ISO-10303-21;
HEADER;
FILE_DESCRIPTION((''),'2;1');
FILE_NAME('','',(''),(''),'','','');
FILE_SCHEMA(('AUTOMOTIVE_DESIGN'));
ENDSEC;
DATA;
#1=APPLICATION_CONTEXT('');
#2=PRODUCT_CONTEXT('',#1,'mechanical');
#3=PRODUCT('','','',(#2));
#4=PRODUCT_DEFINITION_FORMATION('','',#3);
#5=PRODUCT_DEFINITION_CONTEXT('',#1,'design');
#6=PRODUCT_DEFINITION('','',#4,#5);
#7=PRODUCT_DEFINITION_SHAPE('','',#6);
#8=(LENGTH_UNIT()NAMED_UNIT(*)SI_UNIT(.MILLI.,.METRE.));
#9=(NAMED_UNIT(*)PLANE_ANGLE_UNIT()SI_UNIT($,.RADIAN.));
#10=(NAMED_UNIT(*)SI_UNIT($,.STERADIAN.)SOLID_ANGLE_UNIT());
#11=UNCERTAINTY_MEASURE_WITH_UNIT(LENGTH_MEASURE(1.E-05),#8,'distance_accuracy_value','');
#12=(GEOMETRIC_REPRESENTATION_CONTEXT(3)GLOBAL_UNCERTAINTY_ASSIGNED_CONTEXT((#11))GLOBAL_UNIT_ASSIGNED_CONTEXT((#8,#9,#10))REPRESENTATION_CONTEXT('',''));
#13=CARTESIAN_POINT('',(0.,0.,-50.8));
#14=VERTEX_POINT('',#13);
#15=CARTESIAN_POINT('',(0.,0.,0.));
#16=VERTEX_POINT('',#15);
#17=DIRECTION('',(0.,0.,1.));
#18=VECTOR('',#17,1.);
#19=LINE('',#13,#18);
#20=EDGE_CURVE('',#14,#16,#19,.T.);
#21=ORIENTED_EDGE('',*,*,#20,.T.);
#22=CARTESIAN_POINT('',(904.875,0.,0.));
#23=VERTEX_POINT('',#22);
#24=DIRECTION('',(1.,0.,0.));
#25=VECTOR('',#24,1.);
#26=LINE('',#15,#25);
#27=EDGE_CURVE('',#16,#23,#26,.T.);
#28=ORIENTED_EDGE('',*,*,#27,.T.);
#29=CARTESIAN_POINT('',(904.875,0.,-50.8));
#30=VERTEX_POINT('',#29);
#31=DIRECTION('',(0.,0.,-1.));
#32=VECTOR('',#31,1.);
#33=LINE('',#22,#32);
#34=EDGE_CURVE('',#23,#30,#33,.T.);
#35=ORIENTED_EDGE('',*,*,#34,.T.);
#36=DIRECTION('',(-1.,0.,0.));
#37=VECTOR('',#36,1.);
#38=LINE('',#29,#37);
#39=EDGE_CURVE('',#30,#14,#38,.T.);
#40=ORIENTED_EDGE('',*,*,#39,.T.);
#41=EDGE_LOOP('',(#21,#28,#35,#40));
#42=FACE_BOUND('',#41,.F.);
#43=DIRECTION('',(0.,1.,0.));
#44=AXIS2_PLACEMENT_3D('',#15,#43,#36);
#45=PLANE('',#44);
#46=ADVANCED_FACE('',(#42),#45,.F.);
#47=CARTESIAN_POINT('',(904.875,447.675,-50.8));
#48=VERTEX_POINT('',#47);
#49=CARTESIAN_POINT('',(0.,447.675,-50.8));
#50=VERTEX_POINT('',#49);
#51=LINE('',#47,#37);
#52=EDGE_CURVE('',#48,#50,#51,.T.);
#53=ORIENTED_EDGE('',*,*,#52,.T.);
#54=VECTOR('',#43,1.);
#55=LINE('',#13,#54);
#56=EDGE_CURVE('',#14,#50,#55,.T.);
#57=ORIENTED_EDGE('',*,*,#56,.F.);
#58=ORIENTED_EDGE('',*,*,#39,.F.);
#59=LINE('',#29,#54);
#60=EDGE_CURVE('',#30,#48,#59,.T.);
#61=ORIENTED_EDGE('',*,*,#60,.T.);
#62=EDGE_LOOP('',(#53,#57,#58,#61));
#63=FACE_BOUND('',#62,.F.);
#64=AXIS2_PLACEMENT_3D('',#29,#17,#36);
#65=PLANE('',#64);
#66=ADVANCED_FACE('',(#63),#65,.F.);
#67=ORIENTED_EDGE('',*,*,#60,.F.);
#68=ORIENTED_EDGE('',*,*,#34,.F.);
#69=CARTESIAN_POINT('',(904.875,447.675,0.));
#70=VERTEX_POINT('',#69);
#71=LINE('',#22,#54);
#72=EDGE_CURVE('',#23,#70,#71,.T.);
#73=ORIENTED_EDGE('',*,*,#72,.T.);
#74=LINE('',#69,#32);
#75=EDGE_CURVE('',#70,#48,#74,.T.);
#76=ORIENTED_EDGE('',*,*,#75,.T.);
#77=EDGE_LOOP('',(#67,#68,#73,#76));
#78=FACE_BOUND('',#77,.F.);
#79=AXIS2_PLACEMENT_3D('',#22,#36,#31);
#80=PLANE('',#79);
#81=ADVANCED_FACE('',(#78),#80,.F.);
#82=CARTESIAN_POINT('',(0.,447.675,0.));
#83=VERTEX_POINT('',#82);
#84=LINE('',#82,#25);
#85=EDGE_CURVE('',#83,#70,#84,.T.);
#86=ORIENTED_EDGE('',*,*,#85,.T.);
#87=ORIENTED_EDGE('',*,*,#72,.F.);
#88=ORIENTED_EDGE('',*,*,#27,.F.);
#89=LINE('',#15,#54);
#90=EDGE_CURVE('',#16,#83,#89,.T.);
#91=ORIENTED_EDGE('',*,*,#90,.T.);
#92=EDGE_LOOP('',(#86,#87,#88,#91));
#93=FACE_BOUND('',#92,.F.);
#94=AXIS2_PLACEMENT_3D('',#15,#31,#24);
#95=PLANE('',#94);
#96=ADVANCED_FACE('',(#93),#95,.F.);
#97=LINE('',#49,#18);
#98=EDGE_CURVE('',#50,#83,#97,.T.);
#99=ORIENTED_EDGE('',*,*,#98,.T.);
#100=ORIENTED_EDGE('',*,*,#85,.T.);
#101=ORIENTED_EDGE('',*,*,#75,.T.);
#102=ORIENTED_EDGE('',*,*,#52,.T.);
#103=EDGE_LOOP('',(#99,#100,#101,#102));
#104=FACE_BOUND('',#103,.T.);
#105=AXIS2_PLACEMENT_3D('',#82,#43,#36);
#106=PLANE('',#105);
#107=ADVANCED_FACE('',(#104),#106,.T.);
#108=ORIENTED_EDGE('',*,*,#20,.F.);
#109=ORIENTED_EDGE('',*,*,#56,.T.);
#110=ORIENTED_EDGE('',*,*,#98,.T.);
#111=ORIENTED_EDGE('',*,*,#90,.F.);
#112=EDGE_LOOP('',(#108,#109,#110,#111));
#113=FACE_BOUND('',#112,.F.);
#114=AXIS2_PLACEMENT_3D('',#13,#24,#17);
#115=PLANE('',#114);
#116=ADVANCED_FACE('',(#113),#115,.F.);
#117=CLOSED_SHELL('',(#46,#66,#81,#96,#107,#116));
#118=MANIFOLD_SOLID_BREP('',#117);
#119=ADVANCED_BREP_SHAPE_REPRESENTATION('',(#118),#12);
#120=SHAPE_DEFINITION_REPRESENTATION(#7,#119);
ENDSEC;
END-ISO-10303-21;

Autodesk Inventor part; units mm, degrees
ref_plane "YZ Plane" through (0, 0, 0) normal (1, 0, 0) x (0, 1, 0)
ref_plane "XZ Plane" through (0, 0, 0) normal (0, 1, 0) x (-1, 0, 0)
ref_plane "XY Plane" through (0, 0, 0) normal (0, 0, 1) x (1, 0, 0)
sketch "Sketch1" plane through (0, 0, 0) normal (0, 1, 0) x (-1, 0, 0)
  line L0 (0, 0) -> (-904.875, 0)
  line L1 (-904.875, 0) -> (-904.875, -50.8)
  line L2 (-904.875, -50.8) -> (0, -50.8)
  line L3 (0, -50.8) -> (0, 0)
  dimension "d0" = 904.875
  dimension "d1" = 50.8
extrude "Extrusion1" add sketch "Sketch1" along normal blind 447.675
properties part number "Panel" material "Granite, Cut, Polished"
